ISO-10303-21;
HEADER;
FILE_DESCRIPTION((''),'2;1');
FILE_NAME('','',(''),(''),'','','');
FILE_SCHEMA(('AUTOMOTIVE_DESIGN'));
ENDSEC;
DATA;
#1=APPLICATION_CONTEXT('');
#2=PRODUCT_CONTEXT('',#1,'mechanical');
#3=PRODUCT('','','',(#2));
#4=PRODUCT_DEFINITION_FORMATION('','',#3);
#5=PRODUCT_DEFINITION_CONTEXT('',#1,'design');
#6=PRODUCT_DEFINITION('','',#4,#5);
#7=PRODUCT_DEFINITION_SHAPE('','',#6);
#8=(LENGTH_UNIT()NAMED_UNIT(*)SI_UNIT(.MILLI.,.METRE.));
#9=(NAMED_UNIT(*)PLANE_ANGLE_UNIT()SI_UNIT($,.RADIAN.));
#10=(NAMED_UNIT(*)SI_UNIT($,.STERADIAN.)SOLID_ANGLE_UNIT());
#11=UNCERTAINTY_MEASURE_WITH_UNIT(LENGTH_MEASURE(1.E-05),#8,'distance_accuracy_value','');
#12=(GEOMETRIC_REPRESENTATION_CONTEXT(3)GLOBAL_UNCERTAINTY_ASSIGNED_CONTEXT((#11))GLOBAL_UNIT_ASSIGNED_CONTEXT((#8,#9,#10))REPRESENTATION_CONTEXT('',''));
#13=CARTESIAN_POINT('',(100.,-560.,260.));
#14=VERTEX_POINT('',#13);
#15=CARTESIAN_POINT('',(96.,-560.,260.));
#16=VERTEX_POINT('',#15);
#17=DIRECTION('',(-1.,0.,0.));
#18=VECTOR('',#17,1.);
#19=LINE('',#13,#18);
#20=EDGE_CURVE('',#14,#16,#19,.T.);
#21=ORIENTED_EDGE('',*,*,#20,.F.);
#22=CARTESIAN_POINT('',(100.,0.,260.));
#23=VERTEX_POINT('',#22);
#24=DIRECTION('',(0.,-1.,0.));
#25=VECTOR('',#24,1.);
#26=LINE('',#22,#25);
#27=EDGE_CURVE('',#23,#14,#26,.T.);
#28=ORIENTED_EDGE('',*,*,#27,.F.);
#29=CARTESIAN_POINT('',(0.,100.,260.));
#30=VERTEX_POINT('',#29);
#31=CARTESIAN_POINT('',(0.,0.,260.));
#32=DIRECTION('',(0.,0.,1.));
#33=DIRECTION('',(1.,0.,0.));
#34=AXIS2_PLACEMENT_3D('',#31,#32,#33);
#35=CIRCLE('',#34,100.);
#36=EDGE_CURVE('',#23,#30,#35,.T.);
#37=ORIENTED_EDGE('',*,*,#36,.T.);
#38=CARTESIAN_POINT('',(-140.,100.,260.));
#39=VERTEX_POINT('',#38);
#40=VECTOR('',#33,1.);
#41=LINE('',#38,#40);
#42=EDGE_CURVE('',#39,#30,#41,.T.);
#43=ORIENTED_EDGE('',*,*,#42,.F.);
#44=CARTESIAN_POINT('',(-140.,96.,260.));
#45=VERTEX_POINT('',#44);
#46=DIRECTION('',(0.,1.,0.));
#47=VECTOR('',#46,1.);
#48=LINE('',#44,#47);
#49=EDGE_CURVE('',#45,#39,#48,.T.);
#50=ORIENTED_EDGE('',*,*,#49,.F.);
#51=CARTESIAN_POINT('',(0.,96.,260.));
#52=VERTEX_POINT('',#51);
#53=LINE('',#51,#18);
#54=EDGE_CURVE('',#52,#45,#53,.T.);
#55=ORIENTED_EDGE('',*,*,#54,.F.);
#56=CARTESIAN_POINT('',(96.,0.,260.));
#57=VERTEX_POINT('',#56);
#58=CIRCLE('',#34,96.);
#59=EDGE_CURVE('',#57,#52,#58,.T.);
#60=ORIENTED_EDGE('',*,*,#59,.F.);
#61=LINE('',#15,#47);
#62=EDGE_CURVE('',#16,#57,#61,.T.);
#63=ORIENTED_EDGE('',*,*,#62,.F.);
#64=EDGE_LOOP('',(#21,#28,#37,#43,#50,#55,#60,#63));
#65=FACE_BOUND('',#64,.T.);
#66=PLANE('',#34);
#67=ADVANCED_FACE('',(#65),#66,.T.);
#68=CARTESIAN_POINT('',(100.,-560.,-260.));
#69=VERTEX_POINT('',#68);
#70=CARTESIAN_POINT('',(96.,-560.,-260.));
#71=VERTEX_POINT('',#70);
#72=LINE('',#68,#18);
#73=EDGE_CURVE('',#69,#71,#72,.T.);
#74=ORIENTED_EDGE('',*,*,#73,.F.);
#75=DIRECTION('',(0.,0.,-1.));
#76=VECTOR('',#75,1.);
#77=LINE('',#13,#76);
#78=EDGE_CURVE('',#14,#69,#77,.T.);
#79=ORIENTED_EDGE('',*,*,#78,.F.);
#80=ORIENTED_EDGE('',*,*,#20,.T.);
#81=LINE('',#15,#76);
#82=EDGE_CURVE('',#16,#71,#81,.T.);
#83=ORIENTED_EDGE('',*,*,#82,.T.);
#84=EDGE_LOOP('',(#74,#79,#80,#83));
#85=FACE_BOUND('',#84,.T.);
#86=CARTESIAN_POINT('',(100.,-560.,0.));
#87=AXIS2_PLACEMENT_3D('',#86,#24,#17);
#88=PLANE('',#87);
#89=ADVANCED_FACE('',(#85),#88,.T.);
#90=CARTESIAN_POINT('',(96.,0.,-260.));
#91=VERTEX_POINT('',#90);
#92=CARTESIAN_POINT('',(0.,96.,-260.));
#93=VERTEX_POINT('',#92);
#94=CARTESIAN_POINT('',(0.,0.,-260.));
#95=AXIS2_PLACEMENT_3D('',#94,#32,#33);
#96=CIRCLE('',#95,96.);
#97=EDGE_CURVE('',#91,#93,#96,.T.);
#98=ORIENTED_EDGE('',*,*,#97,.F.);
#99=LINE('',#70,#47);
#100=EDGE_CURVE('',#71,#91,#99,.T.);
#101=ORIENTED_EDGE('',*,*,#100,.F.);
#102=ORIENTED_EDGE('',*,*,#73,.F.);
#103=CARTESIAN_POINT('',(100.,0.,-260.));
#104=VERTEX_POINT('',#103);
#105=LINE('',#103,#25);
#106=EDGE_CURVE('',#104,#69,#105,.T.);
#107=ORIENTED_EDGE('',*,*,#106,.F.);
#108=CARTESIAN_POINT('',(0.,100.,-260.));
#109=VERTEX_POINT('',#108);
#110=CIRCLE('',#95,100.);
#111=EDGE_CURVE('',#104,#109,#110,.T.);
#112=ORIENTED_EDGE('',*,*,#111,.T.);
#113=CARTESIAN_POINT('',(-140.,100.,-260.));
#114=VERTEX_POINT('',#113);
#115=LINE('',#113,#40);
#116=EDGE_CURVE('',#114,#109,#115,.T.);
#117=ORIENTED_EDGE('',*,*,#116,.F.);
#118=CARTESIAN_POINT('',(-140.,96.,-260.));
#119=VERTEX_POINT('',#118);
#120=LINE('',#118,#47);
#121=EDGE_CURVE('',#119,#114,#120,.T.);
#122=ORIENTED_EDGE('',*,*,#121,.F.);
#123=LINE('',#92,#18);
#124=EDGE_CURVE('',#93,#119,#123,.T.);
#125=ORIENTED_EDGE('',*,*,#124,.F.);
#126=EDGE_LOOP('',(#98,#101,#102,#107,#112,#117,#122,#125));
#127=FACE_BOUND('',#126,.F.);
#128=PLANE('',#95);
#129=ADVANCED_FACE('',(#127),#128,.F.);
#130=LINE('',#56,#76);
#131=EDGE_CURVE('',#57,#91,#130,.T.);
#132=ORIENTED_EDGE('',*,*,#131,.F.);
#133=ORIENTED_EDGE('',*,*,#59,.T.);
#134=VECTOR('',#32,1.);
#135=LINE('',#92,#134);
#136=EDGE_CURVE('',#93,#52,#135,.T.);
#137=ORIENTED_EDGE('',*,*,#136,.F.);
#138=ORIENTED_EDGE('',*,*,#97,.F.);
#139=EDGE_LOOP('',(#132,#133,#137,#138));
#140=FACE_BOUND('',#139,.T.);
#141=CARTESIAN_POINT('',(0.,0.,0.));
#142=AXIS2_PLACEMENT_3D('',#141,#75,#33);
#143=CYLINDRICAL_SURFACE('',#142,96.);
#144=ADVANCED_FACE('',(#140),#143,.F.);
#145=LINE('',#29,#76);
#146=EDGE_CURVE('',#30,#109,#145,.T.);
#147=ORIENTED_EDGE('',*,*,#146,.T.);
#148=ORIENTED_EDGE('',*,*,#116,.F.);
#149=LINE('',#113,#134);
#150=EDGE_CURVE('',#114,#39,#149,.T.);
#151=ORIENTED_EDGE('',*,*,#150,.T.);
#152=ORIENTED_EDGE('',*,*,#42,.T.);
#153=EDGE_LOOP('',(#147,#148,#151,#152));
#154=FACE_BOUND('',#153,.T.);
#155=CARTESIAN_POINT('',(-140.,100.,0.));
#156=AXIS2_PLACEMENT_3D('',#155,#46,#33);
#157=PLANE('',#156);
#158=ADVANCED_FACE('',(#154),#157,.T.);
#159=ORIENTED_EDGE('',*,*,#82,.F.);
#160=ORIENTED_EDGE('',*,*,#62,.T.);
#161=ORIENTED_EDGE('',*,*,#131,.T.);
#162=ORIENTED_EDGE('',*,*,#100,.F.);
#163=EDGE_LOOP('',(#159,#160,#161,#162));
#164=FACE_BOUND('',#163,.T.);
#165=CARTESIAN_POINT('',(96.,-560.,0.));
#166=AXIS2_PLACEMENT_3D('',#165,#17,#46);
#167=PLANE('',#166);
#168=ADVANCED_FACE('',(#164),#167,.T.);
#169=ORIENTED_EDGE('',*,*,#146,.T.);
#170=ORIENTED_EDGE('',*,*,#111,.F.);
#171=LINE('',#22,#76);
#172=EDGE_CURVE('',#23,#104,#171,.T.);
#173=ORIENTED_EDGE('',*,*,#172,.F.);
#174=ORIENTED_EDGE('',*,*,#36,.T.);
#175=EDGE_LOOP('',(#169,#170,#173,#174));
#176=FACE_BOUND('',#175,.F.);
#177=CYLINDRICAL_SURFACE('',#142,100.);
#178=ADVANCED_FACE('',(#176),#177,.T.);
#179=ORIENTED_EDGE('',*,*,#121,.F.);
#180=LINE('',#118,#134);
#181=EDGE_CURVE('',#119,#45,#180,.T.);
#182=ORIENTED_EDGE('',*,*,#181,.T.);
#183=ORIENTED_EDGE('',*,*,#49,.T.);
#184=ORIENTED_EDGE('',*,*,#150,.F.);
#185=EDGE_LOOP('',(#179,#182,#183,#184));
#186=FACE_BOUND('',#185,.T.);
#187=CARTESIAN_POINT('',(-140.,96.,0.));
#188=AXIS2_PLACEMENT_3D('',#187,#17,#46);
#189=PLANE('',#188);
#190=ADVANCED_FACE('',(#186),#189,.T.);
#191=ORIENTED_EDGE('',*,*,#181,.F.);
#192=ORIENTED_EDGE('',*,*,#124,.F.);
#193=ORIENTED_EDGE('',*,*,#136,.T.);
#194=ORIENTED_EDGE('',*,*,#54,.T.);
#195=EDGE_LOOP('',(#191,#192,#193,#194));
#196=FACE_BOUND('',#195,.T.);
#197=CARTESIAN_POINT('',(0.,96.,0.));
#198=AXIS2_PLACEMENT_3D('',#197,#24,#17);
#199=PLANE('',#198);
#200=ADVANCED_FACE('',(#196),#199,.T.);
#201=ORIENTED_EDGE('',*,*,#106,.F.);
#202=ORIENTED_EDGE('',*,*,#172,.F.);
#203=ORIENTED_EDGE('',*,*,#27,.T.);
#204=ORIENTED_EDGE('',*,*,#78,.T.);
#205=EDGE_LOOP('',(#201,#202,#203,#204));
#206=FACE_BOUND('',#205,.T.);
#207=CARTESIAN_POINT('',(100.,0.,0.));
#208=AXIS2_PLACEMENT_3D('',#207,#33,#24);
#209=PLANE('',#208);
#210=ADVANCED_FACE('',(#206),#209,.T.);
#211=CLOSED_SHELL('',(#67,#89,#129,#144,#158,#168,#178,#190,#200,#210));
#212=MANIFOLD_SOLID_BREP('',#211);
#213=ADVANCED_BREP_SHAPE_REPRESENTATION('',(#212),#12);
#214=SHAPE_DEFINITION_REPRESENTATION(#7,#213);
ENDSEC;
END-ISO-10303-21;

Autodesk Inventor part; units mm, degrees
ref_plane "YZ Plane" through (0, 0, 0) normal (1, 0, 0) x (0, 1, 0)
ref_plane "XZ Plane" through (0, 0, 0) normal (0, 1, 0) x (-1, 0, 0)
ref_plane "XY Plane" through (0, 0, 0) normal (0, 0, 1) x (1, 0, 0)
sketch "Sketch1" plane through (0, 0, 0) normal (0, 0, 1) x (1, 0, 0)
  line L0 (-140, 100) -> (0, 100)
  arc A0 (100, 0) -> (0, 100) centre (0, 0) ccw
  line L1 (100, 0) -> (100, -560)
  line L2 (100, -560) -> (96, -560)
  line L3 (96, -560) -> (96, 0)
  arc A1 (96, 0) -> (0, 96) centre (0, 0) ccw
  line L4 (0, 96) -> (-140, 96)
  line L5 (-140, 96) -> (-140, 100)
  dimension "d0" = 4
  dimension "d1" = 660
  dimension "d2" = 240
  dimension "d3" = 100
extrude "Extrusion1" add sketch "Sketch1" along normal mid plane 520
properties part number "RT_FRM_MC_012_Electrical_housing_door" material "Polycarbonate, Clear"
